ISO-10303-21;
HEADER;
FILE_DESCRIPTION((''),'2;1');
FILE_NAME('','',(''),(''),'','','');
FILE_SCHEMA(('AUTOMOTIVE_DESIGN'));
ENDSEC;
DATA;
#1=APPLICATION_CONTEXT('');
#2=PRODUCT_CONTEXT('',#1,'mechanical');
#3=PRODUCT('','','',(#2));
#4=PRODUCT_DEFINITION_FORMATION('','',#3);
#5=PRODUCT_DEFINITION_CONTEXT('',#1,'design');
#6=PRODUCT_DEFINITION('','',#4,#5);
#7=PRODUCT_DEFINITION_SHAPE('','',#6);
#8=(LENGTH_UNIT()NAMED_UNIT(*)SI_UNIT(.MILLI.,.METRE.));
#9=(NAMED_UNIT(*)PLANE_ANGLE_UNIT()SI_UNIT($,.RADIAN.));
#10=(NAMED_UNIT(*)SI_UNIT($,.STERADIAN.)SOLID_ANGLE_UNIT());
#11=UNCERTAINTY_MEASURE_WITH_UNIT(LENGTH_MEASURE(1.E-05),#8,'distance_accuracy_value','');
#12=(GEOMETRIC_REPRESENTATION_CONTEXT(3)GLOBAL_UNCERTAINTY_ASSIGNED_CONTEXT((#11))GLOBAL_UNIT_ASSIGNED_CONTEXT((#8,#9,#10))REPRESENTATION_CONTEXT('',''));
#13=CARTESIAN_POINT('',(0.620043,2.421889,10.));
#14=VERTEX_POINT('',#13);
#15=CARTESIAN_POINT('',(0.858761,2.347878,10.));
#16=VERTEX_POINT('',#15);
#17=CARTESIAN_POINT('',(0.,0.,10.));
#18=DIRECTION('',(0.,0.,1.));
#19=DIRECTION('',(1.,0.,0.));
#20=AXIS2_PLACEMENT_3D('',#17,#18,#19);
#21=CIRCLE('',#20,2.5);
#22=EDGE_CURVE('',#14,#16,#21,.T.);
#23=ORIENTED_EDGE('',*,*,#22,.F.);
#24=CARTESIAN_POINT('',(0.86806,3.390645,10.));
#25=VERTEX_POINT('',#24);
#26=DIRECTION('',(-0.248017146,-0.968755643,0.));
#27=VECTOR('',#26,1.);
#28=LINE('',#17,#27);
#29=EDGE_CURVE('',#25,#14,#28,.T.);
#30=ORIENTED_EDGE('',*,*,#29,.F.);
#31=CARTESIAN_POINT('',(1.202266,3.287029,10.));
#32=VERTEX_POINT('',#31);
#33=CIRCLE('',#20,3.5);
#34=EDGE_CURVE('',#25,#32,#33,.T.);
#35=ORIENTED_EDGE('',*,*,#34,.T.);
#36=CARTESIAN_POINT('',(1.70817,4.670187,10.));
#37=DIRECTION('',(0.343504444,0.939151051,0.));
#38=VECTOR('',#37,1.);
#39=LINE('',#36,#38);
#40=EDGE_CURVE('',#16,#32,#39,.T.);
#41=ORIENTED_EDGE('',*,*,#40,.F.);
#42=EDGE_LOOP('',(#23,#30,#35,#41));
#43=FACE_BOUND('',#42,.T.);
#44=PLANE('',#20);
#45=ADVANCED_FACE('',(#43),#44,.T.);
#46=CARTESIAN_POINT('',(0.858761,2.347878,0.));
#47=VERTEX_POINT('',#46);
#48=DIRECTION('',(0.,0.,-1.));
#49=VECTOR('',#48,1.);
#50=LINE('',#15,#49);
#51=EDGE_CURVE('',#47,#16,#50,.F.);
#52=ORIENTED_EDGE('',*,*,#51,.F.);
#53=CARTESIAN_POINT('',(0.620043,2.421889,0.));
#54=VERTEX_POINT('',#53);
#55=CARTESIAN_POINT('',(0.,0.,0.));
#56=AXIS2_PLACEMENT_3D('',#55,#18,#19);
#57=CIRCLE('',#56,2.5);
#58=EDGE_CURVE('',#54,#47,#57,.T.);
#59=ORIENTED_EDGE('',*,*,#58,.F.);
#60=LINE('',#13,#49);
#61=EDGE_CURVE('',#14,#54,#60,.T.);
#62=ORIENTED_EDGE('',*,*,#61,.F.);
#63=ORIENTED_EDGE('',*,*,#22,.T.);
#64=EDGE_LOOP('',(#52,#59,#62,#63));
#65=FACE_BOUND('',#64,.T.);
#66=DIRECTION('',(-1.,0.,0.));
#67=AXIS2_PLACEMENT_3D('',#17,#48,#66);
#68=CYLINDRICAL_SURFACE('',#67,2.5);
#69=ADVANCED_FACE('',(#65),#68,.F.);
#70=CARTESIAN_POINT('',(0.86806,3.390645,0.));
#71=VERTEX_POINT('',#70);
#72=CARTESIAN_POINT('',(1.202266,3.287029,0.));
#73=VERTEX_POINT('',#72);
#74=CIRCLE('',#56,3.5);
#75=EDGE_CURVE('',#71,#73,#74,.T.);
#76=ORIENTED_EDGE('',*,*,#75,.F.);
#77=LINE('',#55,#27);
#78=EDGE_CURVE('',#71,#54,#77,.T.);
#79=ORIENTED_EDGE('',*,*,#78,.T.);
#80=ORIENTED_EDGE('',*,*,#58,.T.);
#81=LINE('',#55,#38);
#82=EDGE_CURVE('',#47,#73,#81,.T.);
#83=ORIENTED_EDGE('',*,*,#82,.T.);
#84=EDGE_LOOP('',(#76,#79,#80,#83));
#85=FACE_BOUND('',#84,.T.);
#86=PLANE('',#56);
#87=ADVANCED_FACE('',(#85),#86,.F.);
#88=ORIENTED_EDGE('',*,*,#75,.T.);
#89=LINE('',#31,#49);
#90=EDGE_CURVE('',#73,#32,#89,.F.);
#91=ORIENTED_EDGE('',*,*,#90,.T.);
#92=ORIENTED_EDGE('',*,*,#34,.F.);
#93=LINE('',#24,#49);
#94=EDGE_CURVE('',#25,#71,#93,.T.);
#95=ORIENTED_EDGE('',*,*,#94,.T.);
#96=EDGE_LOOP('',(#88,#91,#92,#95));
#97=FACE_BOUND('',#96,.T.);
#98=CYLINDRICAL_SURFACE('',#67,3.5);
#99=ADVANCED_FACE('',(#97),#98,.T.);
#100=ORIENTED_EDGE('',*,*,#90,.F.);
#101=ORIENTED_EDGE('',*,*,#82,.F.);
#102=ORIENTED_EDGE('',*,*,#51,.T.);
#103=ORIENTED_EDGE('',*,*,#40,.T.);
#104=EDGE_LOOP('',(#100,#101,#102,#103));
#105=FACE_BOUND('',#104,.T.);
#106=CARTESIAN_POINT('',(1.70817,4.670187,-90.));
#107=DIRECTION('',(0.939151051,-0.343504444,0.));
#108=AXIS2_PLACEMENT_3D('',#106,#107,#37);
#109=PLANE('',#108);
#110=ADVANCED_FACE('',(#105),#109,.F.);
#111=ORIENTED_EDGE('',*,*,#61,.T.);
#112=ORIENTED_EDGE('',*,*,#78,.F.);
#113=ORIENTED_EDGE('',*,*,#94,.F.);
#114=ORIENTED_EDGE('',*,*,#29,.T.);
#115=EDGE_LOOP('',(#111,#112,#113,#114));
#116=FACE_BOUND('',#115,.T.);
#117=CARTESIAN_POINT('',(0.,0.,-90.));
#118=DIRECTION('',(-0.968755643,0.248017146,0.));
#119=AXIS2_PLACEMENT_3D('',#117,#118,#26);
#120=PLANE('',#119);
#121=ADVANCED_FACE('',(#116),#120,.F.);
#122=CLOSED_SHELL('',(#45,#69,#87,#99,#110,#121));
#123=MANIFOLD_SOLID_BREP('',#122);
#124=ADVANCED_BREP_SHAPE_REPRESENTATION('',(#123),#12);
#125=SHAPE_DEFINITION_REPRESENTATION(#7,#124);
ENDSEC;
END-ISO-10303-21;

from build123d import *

# Parameters (mm, degrees)
SKETCH_1_R          = 3.5
SKETCH_1_R_2        = 2.5
EXTRUDE_1_DEPTH     = 10
CUT_EXTRUDE_1_DEPTH = 100


with BuildPart() as part:
    # 草图1 → 凸台-拉伸1 (new body)
    with BuildSketch(Plane.XY):
        Circle(SKETCH_1_R)
        Circle(SKETCH_1_R_2, mode=Mode.SUBTRACT)
    extrude(amount=EXTRUDE_1_DEPTH)

    # 草图2 → 切除-拉伸1 (cut)
    with BuildSketch(Plane.XY.offset(10)):
        Polygon((0, 0), (1.195643568, 4.670187004), (1.708170359, 4.670187004), align=None)
    extrude(amount=-CUT_EXTRUDE_1_DEPTH, mode=Mode.SUBTRACT)


solid = part.part
